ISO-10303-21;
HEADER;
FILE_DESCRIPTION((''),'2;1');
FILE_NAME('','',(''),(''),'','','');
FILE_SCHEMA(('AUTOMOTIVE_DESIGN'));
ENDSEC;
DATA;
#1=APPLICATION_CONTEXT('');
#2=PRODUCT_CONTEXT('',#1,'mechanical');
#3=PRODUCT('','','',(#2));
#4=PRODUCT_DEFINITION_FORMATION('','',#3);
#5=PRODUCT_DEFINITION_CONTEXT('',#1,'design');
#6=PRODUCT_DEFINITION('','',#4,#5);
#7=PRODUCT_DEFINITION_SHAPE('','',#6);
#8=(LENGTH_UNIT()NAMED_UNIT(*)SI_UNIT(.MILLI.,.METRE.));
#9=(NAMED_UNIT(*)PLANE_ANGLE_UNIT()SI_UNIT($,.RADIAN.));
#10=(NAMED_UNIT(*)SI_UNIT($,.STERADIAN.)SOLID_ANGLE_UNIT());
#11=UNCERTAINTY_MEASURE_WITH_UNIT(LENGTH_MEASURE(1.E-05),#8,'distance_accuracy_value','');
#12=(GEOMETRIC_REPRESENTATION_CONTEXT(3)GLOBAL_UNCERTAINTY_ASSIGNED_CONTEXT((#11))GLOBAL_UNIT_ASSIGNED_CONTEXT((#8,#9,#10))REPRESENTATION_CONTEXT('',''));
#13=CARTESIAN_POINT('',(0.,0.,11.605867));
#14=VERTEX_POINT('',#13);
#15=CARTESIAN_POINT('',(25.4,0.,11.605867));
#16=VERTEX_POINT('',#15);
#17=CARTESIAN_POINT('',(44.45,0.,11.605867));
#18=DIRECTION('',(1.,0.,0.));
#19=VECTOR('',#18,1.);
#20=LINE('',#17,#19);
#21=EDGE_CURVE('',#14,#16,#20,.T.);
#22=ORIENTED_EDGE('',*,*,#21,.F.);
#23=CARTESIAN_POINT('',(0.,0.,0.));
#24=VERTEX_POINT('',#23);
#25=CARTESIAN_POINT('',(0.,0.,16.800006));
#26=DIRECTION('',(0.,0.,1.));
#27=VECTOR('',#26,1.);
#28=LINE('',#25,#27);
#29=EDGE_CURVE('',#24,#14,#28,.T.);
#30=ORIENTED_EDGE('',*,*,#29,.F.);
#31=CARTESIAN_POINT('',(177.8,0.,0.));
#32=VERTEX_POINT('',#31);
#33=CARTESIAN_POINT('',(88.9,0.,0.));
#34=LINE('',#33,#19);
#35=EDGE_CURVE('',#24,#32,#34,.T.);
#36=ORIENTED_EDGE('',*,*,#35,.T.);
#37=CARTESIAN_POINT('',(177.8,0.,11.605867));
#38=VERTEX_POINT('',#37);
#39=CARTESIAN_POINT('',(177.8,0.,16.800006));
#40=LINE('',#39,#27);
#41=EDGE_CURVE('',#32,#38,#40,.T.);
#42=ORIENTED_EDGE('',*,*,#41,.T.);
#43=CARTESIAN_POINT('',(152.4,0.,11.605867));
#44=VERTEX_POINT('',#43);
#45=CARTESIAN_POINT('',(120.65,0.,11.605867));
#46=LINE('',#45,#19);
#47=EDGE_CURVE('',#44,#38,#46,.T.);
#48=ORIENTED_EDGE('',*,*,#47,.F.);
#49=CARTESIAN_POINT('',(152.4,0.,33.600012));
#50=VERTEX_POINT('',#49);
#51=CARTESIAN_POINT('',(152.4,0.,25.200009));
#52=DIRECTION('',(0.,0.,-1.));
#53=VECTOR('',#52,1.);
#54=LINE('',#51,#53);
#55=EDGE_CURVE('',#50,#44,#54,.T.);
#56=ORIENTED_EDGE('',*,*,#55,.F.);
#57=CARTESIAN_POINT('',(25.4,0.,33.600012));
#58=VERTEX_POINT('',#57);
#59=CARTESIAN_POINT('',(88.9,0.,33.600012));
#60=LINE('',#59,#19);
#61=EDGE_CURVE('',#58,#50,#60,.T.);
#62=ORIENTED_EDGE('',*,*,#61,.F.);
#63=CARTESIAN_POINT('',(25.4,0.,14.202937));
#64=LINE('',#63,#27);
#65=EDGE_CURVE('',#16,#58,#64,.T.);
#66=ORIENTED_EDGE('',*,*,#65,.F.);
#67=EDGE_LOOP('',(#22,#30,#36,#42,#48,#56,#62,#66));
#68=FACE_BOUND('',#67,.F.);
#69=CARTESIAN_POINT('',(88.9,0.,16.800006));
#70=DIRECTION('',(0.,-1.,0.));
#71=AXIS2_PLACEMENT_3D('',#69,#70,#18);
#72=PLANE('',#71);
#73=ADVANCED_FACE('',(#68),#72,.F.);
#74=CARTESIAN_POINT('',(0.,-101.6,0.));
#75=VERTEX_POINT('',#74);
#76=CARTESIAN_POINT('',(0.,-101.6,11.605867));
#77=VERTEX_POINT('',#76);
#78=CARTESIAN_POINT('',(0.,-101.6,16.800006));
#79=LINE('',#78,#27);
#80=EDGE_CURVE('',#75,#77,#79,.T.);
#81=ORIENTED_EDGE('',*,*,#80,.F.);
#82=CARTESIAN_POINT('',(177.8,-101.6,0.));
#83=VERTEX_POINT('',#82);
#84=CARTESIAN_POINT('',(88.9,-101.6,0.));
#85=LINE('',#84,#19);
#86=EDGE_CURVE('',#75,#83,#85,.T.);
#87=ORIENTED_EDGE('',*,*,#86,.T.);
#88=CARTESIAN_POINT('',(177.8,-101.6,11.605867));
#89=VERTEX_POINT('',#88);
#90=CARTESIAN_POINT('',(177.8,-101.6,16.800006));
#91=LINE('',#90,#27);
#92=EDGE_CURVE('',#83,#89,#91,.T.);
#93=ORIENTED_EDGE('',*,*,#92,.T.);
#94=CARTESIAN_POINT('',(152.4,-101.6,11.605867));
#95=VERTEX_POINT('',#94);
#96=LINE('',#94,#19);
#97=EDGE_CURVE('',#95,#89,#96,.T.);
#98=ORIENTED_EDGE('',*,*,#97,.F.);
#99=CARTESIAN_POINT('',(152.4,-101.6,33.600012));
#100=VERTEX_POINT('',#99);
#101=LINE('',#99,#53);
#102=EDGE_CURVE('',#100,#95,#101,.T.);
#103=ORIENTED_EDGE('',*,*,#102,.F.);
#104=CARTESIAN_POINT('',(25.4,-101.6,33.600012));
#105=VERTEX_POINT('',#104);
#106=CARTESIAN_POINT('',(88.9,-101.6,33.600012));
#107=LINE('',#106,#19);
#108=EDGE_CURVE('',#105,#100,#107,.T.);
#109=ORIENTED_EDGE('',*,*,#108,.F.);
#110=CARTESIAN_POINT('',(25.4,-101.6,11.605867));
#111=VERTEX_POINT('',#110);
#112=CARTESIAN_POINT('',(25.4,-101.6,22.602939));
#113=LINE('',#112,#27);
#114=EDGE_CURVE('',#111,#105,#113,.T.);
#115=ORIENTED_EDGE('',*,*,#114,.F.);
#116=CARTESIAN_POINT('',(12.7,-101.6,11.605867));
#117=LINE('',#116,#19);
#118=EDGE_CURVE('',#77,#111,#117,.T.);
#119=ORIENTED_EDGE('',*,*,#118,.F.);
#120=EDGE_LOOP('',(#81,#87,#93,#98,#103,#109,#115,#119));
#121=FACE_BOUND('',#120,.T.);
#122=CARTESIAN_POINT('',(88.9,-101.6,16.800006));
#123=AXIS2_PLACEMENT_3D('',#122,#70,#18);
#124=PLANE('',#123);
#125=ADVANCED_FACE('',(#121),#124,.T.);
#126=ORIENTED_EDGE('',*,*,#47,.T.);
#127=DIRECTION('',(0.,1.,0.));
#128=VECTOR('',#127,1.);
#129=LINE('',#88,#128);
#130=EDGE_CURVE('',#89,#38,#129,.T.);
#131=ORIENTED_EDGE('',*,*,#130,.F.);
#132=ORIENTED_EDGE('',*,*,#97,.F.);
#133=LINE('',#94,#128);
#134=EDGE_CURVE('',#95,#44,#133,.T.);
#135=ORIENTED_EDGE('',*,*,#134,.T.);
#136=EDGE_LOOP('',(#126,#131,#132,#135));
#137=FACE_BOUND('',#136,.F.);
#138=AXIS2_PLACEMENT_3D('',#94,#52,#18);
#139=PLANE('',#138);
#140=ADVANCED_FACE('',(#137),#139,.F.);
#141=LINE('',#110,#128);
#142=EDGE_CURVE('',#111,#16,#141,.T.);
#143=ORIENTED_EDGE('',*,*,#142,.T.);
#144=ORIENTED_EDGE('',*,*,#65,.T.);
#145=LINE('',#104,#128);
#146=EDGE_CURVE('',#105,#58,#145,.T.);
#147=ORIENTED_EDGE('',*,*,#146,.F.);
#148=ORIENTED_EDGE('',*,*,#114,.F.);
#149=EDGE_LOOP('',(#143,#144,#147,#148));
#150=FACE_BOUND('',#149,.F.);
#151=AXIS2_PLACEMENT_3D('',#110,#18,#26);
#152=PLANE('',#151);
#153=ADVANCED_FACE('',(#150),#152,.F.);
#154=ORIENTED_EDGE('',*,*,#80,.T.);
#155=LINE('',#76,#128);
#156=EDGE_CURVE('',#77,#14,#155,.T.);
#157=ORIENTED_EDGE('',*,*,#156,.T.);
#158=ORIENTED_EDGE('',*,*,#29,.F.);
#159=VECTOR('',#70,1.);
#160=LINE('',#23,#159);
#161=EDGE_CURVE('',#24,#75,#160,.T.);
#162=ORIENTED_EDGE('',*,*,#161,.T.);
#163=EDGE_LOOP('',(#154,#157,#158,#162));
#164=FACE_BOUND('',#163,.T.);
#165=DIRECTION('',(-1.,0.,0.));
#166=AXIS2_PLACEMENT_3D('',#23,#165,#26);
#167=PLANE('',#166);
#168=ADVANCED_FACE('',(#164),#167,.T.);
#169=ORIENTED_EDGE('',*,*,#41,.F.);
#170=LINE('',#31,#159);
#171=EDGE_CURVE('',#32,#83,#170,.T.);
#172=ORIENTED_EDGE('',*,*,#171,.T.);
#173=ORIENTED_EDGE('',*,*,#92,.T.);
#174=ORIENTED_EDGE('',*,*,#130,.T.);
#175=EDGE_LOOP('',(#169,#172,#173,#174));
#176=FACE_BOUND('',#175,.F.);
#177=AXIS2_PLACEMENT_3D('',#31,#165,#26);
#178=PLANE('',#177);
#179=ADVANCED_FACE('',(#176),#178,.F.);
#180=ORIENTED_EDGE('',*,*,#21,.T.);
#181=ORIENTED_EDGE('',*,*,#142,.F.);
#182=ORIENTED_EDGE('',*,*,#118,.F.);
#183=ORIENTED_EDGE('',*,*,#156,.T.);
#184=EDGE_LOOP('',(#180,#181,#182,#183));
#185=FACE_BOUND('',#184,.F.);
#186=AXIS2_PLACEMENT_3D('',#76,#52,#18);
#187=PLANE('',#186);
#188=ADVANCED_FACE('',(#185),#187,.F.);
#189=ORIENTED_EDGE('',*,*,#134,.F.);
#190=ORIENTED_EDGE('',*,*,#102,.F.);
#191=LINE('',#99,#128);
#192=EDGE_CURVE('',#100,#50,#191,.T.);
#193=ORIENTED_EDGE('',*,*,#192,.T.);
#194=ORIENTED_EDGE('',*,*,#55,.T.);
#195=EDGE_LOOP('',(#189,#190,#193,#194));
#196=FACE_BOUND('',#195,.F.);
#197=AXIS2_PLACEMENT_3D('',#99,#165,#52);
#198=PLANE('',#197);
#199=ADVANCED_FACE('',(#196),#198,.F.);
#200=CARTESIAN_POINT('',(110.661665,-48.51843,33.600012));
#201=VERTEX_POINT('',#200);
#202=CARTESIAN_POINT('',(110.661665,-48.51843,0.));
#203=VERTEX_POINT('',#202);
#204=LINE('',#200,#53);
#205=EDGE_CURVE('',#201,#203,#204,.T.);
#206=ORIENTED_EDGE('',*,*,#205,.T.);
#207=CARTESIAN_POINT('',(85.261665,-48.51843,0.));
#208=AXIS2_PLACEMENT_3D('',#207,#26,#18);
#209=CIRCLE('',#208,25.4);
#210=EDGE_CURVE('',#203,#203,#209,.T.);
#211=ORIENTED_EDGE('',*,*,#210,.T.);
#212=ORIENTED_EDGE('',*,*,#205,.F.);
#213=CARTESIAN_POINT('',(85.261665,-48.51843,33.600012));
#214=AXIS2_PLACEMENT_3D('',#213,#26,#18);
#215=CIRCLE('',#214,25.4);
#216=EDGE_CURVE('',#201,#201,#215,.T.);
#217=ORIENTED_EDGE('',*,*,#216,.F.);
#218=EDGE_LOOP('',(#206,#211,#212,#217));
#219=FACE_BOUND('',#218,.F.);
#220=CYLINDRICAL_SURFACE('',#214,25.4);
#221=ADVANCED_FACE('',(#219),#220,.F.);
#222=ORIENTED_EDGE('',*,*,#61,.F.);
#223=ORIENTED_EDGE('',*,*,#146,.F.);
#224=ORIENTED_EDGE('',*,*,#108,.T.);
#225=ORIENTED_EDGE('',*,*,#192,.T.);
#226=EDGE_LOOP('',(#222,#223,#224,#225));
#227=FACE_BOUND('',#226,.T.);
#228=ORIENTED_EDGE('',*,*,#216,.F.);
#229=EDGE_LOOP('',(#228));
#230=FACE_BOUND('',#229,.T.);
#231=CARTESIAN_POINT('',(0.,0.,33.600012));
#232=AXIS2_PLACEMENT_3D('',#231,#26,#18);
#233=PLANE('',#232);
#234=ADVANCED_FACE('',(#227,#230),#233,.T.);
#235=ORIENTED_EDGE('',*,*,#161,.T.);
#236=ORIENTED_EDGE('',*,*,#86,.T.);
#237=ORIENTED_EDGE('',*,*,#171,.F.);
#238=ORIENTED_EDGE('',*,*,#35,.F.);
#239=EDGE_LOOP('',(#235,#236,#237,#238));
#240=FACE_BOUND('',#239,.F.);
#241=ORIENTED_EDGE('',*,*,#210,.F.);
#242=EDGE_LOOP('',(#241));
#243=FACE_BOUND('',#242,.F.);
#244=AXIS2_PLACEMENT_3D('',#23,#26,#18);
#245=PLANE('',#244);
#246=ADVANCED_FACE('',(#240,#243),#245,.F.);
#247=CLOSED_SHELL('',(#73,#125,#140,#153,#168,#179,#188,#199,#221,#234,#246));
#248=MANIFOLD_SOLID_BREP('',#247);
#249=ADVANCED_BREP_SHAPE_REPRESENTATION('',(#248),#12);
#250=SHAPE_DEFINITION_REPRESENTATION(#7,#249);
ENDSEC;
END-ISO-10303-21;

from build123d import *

# Parameters (mm, degrees)
F0_W     = 177.8
F0_H     = 33.6000117971
F1_DEPTH = 101.6
F2_R     = 25.4
F3_DEPTH = 33.6010117971
F4_W     = 25.4
F4_H     = 21.9941446124
F5_DEPTH = 101.601


with BuildPart() as f1:
    # F0 (on Front) → F1 (new body)
    with BuildSketch(Plane.XZ):
        with Locations((88.9, 16.8000058986)):
            Rectangle(F0_W, F0_H)
    extrude(amount=F1_DEPTH)

    # F2 (on face) → F3 (cut, through all)
    with BuildSketch(Plane.XY.offset(33.6000117971)):
        with Locations((85.2616652846, -48.5184304416)):
            Circle(F2_R)
    extrude(amount=-F3_DEPTH, mode=Mode.SUBTRACT)

    # F4 (on face) → F5 (cut, through all)
    with BuildSketch(Plane.XZ.offset(101.6)):
        Polygon((177.8, 11.6058671847), (177.8, 33.6000117971), (159.5585218906, 33.6000117971), (152.4, 33.6000117971), (152.4, 11.6058671847), align=None)
        with Locations((12.7, 22.6029394909)):
            Rectangle(F4_W, F4_H)
    extrude(amount=-F5_DEPTH, mode=Mode.SUBTRACT)


solid = f1.part
